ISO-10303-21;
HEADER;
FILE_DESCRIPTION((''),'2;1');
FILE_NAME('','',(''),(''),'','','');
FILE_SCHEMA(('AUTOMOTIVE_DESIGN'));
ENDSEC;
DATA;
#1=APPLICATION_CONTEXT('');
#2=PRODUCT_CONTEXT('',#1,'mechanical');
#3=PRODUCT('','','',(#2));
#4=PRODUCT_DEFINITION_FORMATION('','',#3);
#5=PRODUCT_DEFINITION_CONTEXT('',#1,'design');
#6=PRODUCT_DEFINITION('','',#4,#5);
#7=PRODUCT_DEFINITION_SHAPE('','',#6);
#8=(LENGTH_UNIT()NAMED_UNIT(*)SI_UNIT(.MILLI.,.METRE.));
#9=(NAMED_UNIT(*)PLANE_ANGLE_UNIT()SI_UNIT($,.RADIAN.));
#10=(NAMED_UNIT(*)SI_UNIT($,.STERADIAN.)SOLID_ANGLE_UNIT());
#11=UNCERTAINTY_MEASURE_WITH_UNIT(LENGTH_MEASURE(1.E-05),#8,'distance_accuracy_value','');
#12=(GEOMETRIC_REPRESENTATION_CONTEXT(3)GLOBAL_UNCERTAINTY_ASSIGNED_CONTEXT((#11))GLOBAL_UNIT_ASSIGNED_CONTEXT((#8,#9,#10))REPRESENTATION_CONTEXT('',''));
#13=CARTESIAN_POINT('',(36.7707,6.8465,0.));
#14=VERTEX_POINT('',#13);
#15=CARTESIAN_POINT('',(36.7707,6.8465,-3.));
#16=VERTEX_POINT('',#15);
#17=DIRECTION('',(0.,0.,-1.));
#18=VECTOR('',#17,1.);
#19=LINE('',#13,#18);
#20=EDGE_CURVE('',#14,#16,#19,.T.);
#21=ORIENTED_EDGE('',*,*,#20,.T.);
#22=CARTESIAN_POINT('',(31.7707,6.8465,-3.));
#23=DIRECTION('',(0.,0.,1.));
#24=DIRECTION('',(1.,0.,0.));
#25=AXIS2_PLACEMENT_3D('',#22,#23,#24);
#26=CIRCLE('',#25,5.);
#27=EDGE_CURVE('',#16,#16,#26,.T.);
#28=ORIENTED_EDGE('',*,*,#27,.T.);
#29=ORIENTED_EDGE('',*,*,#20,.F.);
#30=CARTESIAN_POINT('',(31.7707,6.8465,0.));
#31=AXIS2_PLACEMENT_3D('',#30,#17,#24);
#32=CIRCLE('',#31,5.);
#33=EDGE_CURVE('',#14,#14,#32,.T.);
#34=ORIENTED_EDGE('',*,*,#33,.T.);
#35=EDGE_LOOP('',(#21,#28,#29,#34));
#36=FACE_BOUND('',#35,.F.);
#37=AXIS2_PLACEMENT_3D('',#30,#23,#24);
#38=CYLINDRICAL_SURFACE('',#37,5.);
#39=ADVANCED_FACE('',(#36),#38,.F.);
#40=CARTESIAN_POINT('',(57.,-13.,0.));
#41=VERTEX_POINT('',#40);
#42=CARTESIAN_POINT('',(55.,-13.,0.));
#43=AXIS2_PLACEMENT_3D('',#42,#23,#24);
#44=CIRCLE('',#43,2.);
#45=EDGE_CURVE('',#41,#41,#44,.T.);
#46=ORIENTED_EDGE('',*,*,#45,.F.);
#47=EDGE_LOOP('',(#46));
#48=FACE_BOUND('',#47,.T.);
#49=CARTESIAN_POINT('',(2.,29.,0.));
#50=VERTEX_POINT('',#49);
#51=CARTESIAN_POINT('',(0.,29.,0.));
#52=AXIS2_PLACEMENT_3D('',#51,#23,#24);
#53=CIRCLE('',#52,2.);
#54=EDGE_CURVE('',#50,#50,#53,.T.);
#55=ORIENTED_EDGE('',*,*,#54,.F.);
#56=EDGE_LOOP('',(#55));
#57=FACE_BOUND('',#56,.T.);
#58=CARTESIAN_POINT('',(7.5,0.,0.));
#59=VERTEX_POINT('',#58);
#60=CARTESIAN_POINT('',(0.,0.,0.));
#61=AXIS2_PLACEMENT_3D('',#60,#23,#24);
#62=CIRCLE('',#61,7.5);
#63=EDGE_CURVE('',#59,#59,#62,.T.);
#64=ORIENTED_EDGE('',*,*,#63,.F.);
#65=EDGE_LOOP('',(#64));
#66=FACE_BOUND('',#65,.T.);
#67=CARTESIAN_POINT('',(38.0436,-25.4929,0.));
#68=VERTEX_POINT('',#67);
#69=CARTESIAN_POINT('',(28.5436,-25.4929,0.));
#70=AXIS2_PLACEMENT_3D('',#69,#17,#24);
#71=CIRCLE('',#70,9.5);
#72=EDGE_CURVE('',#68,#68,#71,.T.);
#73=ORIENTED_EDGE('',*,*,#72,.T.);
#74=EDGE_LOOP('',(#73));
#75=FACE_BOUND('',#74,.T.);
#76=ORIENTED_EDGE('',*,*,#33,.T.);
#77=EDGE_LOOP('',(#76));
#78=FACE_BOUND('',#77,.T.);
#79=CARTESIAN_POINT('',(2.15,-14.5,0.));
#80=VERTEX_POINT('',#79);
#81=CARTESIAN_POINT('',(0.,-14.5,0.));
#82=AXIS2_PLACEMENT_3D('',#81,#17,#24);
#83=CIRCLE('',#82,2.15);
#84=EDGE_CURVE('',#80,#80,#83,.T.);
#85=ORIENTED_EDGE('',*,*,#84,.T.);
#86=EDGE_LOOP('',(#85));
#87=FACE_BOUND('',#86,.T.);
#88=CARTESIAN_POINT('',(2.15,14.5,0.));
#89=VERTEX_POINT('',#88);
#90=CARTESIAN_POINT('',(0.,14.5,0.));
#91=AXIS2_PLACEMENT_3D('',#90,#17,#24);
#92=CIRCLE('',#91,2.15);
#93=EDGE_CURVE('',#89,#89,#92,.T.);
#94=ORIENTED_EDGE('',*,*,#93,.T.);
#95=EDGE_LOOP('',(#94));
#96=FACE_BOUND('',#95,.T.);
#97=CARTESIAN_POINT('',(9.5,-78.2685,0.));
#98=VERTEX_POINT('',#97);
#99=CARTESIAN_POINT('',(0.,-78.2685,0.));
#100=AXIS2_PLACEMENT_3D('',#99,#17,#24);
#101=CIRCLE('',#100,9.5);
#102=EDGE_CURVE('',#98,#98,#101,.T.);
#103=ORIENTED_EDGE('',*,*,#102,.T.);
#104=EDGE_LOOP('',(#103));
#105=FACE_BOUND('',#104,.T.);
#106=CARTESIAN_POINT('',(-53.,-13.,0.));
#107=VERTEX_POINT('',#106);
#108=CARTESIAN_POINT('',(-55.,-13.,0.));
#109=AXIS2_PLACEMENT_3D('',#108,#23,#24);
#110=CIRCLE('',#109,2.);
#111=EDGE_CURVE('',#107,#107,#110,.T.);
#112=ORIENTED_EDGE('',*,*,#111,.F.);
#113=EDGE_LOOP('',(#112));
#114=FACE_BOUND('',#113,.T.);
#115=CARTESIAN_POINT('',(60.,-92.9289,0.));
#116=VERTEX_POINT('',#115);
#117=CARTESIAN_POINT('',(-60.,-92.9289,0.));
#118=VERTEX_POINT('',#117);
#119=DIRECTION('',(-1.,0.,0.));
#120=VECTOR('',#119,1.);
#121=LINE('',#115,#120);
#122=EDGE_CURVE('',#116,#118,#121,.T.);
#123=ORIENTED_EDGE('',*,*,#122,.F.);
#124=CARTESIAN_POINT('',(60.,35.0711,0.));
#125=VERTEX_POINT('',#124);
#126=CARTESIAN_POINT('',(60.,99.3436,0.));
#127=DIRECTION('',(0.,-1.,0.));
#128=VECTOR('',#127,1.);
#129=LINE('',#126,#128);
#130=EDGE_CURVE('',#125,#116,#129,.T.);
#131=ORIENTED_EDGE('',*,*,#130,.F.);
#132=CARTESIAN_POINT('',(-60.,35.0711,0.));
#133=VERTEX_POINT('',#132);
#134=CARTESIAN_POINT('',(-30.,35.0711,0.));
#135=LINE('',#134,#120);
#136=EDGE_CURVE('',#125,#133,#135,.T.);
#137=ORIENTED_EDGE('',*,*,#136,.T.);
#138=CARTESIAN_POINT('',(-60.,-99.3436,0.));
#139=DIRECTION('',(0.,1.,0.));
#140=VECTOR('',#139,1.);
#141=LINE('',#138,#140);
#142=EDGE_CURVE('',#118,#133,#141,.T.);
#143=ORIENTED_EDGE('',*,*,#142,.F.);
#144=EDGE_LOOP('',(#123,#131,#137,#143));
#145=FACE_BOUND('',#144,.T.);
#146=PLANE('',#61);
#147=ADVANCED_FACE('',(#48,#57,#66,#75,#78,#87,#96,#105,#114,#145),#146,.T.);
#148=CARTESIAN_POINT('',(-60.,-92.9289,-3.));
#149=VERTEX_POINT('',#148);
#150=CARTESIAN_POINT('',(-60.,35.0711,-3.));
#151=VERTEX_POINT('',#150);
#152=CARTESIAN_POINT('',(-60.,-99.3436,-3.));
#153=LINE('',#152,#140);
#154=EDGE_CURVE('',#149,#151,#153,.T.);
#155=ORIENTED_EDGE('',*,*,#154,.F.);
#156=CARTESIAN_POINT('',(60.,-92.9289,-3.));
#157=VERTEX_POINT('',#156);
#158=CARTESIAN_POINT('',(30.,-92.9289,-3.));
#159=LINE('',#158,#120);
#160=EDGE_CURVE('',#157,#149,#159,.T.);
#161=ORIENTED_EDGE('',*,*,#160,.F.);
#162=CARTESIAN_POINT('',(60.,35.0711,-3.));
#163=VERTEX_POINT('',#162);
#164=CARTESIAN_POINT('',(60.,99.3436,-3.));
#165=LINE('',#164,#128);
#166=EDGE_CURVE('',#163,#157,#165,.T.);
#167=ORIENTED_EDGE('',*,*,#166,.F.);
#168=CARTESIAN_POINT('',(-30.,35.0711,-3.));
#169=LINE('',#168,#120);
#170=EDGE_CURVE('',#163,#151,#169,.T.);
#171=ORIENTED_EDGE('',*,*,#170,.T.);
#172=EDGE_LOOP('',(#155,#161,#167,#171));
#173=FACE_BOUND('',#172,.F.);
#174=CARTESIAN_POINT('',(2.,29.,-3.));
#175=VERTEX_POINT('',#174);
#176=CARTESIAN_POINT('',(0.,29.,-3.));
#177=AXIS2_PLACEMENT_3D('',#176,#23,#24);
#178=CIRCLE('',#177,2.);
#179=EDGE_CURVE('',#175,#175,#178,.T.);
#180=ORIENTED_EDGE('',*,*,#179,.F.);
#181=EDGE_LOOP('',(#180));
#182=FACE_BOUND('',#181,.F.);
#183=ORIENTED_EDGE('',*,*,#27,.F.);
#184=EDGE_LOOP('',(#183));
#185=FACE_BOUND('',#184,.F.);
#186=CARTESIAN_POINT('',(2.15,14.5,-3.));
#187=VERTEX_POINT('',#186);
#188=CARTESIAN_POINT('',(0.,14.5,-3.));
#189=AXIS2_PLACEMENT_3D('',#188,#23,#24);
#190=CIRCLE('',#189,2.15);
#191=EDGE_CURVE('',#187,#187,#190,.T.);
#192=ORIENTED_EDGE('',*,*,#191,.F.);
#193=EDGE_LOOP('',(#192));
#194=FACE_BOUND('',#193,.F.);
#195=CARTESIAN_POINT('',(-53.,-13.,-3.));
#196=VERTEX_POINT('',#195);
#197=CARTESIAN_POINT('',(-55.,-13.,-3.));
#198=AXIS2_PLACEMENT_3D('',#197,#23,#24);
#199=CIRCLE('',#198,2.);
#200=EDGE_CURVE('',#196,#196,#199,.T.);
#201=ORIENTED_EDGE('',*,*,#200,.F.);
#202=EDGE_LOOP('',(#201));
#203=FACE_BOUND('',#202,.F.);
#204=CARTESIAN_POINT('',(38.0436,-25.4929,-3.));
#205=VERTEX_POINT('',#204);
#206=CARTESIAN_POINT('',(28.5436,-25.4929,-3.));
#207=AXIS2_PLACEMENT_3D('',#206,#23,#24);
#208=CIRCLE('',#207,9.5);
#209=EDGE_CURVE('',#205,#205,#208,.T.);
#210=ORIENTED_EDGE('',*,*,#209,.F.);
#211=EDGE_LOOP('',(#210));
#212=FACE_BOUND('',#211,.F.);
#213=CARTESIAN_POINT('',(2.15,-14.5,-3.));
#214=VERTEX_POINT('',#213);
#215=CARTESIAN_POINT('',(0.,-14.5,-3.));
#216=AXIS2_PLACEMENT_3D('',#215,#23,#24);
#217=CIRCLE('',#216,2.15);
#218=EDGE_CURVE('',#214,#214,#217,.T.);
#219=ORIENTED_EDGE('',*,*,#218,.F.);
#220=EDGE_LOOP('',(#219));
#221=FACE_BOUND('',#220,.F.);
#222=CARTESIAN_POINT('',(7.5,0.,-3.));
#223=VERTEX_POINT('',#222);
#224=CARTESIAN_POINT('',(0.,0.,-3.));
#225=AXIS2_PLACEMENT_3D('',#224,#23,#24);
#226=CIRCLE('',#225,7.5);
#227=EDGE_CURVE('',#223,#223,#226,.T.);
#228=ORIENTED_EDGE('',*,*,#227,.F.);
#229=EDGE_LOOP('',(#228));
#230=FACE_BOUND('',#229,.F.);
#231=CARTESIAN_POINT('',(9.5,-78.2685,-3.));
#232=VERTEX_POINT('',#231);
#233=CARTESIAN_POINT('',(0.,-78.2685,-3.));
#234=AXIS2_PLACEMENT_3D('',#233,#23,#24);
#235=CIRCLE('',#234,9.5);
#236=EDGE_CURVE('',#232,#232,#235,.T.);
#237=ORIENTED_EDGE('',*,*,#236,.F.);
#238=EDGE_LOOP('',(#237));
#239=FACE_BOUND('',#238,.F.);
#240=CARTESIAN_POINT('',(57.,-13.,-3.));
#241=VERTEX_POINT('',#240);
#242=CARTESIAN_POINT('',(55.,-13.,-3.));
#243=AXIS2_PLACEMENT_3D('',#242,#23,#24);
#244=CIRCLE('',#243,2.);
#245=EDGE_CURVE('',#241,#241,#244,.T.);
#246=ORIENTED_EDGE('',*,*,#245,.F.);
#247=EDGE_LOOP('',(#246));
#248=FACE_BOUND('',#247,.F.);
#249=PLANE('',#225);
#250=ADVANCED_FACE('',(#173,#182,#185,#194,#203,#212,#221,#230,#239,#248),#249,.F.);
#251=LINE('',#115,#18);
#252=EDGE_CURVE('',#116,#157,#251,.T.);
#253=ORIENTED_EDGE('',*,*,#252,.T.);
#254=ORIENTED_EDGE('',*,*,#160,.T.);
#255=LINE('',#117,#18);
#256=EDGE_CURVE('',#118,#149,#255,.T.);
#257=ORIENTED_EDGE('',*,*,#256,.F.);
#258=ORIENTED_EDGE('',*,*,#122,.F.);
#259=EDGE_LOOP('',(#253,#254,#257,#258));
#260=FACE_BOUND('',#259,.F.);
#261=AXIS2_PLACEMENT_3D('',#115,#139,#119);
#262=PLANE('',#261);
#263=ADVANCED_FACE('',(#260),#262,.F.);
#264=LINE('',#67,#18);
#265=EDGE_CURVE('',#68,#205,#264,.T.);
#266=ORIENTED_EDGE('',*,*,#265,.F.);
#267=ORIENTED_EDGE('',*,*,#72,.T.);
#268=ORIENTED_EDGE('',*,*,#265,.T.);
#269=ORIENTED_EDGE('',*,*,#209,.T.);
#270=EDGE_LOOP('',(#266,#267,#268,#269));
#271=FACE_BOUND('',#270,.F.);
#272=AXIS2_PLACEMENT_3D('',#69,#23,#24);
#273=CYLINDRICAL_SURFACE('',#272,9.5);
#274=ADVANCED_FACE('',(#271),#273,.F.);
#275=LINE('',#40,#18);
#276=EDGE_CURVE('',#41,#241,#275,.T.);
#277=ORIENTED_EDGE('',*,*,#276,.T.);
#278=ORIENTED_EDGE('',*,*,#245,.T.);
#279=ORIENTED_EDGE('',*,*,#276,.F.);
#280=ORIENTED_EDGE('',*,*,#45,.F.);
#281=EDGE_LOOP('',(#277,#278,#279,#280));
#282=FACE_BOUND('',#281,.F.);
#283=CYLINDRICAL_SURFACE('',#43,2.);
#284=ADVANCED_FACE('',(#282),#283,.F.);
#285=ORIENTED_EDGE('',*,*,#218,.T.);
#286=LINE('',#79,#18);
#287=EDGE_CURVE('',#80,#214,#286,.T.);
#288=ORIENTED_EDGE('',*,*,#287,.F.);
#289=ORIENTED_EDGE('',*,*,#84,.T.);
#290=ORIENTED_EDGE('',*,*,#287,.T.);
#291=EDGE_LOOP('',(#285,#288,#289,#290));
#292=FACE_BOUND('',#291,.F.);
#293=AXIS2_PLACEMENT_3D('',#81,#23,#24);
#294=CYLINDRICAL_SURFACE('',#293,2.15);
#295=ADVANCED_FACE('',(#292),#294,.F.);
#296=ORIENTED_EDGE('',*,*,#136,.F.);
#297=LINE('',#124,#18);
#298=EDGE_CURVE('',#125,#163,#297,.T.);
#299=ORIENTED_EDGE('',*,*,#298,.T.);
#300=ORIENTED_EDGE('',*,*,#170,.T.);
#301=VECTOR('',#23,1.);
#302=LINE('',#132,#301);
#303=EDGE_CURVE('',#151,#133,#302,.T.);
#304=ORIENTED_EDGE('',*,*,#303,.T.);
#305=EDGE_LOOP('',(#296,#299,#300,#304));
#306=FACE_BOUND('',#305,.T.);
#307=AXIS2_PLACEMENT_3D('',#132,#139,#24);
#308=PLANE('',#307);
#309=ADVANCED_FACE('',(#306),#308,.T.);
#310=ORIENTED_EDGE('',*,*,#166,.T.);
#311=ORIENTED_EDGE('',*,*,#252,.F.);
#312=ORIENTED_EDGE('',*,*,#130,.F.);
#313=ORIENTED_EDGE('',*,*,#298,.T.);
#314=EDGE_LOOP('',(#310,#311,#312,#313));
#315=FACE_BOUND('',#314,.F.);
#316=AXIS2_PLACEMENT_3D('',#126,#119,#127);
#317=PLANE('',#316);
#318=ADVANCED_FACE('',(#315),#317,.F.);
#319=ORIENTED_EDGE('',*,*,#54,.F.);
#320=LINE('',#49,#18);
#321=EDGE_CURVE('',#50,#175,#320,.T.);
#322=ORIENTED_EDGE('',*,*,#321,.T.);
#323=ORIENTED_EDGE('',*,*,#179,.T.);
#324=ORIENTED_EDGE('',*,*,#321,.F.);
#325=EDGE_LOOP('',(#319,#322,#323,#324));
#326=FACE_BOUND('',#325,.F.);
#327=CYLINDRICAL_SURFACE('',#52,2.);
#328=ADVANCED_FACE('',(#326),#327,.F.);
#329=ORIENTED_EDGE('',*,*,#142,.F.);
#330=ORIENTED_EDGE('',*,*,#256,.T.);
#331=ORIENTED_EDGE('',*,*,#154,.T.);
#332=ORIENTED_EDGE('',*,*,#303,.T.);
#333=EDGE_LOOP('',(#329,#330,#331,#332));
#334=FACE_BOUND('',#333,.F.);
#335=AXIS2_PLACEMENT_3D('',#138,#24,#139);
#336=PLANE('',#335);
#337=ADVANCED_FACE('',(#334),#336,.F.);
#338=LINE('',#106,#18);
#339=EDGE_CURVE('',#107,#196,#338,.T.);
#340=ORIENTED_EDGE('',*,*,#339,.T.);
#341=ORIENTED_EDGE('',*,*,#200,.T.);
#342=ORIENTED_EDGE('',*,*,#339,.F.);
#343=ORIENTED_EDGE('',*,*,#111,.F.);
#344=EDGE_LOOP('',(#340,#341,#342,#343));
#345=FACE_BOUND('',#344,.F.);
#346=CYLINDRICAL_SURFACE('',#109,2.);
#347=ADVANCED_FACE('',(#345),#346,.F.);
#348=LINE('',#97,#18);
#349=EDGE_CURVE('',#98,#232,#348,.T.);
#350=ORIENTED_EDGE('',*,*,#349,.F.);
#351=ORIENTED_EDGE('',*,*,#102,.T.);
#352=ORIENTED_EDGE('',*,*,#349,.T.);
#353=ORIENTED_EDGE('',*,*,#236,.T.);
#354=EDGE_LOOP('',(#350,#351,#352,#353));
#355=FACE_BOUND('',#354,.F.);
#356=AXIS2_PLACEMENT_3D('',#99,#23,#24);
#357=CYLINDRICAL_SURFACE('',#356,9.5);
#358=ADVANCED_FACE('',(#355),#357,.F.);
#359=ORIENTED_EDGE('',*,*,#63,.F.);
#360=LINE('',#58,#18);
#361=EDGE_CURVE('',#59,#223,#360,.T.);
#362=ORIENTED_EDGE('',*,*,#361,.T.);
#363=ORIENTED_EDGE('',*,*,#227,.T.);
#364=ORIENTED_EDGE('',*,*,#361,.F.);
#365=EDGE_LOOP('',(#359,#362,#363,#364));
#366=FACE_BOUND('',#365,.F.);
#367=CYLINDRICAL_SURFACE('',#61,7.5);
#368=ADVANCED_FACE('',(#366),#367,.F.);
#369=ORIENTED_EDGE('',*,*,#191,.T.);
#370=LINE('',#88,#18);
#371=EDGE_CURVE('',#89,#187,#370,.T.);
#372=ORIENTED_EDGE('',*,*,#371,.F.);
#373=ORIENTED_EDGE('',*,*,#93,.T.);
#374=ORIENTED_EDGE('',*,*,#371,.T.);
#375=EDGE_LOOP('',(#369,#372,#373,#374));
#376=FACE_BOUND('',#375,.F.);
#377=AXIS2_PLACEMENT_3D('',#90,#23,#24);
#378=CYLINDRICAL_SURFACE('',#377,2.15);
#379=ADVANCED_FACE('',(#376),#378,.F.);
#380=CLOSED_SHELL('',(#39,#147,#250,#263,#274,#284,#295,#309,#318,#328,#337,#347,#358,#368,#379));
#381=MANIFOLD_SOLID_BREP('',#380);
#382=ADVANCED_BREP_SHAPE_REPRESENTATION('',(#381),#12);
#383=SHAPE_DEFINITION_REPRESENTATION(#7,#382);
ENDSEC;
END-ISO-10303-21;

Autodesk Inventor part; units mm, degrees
ref_plane "YZ Plane" through (0, 0, 0) normal (1, 0, 0) x (0, 1, 0)
ref_plane "XZ Plane" through (0, 0, 0) normal (0, 1, 0) x (-1, 0, 0)
ref_plane "XY Plane" through (0, 0, 0) normal (0, 0, 1) x (1, 0, 0)
sketch "スケッチ3" plane through (0, 0, 0) normal (0, 0, 1) x (1, 0, 0)
  line L0 (60, -99.3436) -> (-60, -99.3436)
  line L1 (-60, -99.3436) -> (-60, 99.3436)
  line L2 (-60, 99.3436) -> (60, 99.3436)
  line L3 (60, 99.3436) -> (60, -99.3436)
  line L4 (60, -99.3436) -> (-60, 99.3436) construction
  line L5 (-60, -99.3436) -> (60, 99.3436) construction
  point P0 (0, 0)
  dimension "d25" = 120
extrude "押し出し1" add sketch "スケッチ3" against normal blind 3
sketch "スケッチ4" plane through (0, 0, 0) normal (0, 0, 1) x (1, 0, 0)
  line L0 (0, 45.0711) -> (68.3595, 45.0711)
  line L1 (68.3595, 45.0711) -> (-74.3824, 45.0711)
  line L2 (-74.3824, 45.0711) -> (108.1656, 45.0711)
  line L3 (108.1656, 45.0711) -> (108.1656, 129.4154)
  line L4 (108.1656, 129.4154) -> (-74.3824, 129.4154)
  line L5 (-74.3824, 129.4154) -> (-74.3824, 45.0711)
  point P0 (0, 0)
extrude "押し出し4" cut sketch "スケッチ4" against normal blind 10
sketch "スケッチ12" plane through (0, 0, 0) normal (0, 0, 1) x (1, 0, 0)
  circle A0 centre (0, 0) radius 7.5
  circle A1 centre (0, 0) radius 22.5
  dimension "d85" = 15
  dimension "d93" = 45
sketch "スケッチ13" plane through (0, 0, 0) normal (0, 0, 1) x (1, 0, 0)
  circle A0 centre (0, 0) radius 7.5
  circle A1 centre (0, 0) radius 32.5
  circle A2 centre (31.7707, 6.8465) radius 25
  circle A3 centre (31.7707, 6.8465) radius 7.5
  circle A4 centre (31.7707, 6.8465) radius 32.5
  circle A5 centre (28.5436, -25.4929) radius 25
  circle A6 centre (28.5436, -25.4929) radius 20
  circle A7 centre (28.5436, -25.4929) radius 60
  circle A8 centre (0, -78.2685) radius 40
  circle A9 centre (0, -78.2685) radius 50
  circle A10 centre (31.7707, 6.8465) radius 5
  circle A11 centre (28.5436, -25.4929) radius 9.5
  circle A12 centre (0, -78.2685) radius 9.5
  dimension "d87" = 65
  dimension "d89" = 65
  dimension "d91" = 120
  dimension "d86" = 15
  dimension "d88" = 15
  dimension "d90" = 40
  dimension "d92" = 100
  dimension "d96" = 10
  dimension "d97" = 19
  dimension "d98" = 19
extrude "押し出し15" cut sketch "スケッチ12" against normal blind 10 contours A0
extrude "押し出し16" cut sketch "スケッチ13" against normal blind 10 contours A10 A1 | A1 A10 | A11 A1 A2 | A2 A1 A4 A11 | A4 A1 A11 | A2 A11 A4 A1 | A1 A11 A2 | A4 A11 A1 | A12 A7 | A7 A12
sketch "スケッチ14" plane through (0, 0, 0) normal (0, 0, 1) x (1, 0, 0)
  line L0 (-60, -99.3436) -> (-60, 45.0711) projected
  line L1 (60, 45.0711) -> (60, -99.3436) projected
  line L2 (-60, 45.0711) -> (60, 45.0711)
  line L3 (60, 45.0711) -> (60, -92.9289)
  line L4 (60, -92.9289) -> (-60, -92.9289)
  line L5 (-60, -92.9289) -> (-60, 45.0711)
  point P0 (0, 0)
  dimension "d101" = 138
extrude "押し出し17" cut sketch "スケッチ14" against normal blind 10 keep common part
sketch "スケッチ15" plane through (-60, 45.0711, 0) normal (0, 1, 0) x (1, 0, 0)
  line L0 (-15.5399, 21.7204) -> (138.9638, 21.7204)
  line L1 (138.9638, 21.7204) -> (138.9638, -41.1938)
  line L2 (138.9638, -41.1938) -> (-15.5399, -41.1938)
  line L3 (-15.5399, -41.1938) -> (-15.5399, 21.7204)
  point P0 (60, 0)
extrude "押し出し18" cut sketch "スケッチ15" against normal blind 10
sketch "スケッチ16" plane through (0, 0, 0) normal (0, 0, 1) x (1, 0, 0)
  circle A0 centre (31.7707, 6.8465) radius 5 projected
  circle A1 centre (31.7707, 6.8465) radius 25
  circle A2 centre (28.5436, -25.4929) radius 9.5 projected
  circle A3 centre (28.5436, -25.4929) radius 25
  circle A4 centre (55, -13) radius 2
  circle A5 centre (-55, -13) radius 2
  circle A6 centre (0, 29) radius 2
  point P0 (0, 0)
  dimension "d109" = 50
  dimension "d110" = 50
  dimension "d111" = 4
  dimension "d112" = 4
  dimension "d113" = 4
extrude "押し出し19" cut sketch "スケッチ16" against normal blind 10 contours A4 | A5 | A6
sketch "スケッチ17" plane through (0, 0, 0) normal (0, 0, 1) x (1, 0, 0)
  line L0 (0, 0) -> (0, 14.5)
  line L1 (0, 14.5) -> (0, -14.5)
  circle A0 centre (0, 14.5) radius 2.15
  circle A1 centre (0, -14.5) radius 2.15
  dimension "d116" = 14.5
  dimension "d117" = 29
  dimension "d118" = 4.3
  dimension "d119" = 4.3
extrude "押し出し20" cut sketch "スケッチ17" against normal blind 10
properties part number "板2" material "アルミニウム 6061"
